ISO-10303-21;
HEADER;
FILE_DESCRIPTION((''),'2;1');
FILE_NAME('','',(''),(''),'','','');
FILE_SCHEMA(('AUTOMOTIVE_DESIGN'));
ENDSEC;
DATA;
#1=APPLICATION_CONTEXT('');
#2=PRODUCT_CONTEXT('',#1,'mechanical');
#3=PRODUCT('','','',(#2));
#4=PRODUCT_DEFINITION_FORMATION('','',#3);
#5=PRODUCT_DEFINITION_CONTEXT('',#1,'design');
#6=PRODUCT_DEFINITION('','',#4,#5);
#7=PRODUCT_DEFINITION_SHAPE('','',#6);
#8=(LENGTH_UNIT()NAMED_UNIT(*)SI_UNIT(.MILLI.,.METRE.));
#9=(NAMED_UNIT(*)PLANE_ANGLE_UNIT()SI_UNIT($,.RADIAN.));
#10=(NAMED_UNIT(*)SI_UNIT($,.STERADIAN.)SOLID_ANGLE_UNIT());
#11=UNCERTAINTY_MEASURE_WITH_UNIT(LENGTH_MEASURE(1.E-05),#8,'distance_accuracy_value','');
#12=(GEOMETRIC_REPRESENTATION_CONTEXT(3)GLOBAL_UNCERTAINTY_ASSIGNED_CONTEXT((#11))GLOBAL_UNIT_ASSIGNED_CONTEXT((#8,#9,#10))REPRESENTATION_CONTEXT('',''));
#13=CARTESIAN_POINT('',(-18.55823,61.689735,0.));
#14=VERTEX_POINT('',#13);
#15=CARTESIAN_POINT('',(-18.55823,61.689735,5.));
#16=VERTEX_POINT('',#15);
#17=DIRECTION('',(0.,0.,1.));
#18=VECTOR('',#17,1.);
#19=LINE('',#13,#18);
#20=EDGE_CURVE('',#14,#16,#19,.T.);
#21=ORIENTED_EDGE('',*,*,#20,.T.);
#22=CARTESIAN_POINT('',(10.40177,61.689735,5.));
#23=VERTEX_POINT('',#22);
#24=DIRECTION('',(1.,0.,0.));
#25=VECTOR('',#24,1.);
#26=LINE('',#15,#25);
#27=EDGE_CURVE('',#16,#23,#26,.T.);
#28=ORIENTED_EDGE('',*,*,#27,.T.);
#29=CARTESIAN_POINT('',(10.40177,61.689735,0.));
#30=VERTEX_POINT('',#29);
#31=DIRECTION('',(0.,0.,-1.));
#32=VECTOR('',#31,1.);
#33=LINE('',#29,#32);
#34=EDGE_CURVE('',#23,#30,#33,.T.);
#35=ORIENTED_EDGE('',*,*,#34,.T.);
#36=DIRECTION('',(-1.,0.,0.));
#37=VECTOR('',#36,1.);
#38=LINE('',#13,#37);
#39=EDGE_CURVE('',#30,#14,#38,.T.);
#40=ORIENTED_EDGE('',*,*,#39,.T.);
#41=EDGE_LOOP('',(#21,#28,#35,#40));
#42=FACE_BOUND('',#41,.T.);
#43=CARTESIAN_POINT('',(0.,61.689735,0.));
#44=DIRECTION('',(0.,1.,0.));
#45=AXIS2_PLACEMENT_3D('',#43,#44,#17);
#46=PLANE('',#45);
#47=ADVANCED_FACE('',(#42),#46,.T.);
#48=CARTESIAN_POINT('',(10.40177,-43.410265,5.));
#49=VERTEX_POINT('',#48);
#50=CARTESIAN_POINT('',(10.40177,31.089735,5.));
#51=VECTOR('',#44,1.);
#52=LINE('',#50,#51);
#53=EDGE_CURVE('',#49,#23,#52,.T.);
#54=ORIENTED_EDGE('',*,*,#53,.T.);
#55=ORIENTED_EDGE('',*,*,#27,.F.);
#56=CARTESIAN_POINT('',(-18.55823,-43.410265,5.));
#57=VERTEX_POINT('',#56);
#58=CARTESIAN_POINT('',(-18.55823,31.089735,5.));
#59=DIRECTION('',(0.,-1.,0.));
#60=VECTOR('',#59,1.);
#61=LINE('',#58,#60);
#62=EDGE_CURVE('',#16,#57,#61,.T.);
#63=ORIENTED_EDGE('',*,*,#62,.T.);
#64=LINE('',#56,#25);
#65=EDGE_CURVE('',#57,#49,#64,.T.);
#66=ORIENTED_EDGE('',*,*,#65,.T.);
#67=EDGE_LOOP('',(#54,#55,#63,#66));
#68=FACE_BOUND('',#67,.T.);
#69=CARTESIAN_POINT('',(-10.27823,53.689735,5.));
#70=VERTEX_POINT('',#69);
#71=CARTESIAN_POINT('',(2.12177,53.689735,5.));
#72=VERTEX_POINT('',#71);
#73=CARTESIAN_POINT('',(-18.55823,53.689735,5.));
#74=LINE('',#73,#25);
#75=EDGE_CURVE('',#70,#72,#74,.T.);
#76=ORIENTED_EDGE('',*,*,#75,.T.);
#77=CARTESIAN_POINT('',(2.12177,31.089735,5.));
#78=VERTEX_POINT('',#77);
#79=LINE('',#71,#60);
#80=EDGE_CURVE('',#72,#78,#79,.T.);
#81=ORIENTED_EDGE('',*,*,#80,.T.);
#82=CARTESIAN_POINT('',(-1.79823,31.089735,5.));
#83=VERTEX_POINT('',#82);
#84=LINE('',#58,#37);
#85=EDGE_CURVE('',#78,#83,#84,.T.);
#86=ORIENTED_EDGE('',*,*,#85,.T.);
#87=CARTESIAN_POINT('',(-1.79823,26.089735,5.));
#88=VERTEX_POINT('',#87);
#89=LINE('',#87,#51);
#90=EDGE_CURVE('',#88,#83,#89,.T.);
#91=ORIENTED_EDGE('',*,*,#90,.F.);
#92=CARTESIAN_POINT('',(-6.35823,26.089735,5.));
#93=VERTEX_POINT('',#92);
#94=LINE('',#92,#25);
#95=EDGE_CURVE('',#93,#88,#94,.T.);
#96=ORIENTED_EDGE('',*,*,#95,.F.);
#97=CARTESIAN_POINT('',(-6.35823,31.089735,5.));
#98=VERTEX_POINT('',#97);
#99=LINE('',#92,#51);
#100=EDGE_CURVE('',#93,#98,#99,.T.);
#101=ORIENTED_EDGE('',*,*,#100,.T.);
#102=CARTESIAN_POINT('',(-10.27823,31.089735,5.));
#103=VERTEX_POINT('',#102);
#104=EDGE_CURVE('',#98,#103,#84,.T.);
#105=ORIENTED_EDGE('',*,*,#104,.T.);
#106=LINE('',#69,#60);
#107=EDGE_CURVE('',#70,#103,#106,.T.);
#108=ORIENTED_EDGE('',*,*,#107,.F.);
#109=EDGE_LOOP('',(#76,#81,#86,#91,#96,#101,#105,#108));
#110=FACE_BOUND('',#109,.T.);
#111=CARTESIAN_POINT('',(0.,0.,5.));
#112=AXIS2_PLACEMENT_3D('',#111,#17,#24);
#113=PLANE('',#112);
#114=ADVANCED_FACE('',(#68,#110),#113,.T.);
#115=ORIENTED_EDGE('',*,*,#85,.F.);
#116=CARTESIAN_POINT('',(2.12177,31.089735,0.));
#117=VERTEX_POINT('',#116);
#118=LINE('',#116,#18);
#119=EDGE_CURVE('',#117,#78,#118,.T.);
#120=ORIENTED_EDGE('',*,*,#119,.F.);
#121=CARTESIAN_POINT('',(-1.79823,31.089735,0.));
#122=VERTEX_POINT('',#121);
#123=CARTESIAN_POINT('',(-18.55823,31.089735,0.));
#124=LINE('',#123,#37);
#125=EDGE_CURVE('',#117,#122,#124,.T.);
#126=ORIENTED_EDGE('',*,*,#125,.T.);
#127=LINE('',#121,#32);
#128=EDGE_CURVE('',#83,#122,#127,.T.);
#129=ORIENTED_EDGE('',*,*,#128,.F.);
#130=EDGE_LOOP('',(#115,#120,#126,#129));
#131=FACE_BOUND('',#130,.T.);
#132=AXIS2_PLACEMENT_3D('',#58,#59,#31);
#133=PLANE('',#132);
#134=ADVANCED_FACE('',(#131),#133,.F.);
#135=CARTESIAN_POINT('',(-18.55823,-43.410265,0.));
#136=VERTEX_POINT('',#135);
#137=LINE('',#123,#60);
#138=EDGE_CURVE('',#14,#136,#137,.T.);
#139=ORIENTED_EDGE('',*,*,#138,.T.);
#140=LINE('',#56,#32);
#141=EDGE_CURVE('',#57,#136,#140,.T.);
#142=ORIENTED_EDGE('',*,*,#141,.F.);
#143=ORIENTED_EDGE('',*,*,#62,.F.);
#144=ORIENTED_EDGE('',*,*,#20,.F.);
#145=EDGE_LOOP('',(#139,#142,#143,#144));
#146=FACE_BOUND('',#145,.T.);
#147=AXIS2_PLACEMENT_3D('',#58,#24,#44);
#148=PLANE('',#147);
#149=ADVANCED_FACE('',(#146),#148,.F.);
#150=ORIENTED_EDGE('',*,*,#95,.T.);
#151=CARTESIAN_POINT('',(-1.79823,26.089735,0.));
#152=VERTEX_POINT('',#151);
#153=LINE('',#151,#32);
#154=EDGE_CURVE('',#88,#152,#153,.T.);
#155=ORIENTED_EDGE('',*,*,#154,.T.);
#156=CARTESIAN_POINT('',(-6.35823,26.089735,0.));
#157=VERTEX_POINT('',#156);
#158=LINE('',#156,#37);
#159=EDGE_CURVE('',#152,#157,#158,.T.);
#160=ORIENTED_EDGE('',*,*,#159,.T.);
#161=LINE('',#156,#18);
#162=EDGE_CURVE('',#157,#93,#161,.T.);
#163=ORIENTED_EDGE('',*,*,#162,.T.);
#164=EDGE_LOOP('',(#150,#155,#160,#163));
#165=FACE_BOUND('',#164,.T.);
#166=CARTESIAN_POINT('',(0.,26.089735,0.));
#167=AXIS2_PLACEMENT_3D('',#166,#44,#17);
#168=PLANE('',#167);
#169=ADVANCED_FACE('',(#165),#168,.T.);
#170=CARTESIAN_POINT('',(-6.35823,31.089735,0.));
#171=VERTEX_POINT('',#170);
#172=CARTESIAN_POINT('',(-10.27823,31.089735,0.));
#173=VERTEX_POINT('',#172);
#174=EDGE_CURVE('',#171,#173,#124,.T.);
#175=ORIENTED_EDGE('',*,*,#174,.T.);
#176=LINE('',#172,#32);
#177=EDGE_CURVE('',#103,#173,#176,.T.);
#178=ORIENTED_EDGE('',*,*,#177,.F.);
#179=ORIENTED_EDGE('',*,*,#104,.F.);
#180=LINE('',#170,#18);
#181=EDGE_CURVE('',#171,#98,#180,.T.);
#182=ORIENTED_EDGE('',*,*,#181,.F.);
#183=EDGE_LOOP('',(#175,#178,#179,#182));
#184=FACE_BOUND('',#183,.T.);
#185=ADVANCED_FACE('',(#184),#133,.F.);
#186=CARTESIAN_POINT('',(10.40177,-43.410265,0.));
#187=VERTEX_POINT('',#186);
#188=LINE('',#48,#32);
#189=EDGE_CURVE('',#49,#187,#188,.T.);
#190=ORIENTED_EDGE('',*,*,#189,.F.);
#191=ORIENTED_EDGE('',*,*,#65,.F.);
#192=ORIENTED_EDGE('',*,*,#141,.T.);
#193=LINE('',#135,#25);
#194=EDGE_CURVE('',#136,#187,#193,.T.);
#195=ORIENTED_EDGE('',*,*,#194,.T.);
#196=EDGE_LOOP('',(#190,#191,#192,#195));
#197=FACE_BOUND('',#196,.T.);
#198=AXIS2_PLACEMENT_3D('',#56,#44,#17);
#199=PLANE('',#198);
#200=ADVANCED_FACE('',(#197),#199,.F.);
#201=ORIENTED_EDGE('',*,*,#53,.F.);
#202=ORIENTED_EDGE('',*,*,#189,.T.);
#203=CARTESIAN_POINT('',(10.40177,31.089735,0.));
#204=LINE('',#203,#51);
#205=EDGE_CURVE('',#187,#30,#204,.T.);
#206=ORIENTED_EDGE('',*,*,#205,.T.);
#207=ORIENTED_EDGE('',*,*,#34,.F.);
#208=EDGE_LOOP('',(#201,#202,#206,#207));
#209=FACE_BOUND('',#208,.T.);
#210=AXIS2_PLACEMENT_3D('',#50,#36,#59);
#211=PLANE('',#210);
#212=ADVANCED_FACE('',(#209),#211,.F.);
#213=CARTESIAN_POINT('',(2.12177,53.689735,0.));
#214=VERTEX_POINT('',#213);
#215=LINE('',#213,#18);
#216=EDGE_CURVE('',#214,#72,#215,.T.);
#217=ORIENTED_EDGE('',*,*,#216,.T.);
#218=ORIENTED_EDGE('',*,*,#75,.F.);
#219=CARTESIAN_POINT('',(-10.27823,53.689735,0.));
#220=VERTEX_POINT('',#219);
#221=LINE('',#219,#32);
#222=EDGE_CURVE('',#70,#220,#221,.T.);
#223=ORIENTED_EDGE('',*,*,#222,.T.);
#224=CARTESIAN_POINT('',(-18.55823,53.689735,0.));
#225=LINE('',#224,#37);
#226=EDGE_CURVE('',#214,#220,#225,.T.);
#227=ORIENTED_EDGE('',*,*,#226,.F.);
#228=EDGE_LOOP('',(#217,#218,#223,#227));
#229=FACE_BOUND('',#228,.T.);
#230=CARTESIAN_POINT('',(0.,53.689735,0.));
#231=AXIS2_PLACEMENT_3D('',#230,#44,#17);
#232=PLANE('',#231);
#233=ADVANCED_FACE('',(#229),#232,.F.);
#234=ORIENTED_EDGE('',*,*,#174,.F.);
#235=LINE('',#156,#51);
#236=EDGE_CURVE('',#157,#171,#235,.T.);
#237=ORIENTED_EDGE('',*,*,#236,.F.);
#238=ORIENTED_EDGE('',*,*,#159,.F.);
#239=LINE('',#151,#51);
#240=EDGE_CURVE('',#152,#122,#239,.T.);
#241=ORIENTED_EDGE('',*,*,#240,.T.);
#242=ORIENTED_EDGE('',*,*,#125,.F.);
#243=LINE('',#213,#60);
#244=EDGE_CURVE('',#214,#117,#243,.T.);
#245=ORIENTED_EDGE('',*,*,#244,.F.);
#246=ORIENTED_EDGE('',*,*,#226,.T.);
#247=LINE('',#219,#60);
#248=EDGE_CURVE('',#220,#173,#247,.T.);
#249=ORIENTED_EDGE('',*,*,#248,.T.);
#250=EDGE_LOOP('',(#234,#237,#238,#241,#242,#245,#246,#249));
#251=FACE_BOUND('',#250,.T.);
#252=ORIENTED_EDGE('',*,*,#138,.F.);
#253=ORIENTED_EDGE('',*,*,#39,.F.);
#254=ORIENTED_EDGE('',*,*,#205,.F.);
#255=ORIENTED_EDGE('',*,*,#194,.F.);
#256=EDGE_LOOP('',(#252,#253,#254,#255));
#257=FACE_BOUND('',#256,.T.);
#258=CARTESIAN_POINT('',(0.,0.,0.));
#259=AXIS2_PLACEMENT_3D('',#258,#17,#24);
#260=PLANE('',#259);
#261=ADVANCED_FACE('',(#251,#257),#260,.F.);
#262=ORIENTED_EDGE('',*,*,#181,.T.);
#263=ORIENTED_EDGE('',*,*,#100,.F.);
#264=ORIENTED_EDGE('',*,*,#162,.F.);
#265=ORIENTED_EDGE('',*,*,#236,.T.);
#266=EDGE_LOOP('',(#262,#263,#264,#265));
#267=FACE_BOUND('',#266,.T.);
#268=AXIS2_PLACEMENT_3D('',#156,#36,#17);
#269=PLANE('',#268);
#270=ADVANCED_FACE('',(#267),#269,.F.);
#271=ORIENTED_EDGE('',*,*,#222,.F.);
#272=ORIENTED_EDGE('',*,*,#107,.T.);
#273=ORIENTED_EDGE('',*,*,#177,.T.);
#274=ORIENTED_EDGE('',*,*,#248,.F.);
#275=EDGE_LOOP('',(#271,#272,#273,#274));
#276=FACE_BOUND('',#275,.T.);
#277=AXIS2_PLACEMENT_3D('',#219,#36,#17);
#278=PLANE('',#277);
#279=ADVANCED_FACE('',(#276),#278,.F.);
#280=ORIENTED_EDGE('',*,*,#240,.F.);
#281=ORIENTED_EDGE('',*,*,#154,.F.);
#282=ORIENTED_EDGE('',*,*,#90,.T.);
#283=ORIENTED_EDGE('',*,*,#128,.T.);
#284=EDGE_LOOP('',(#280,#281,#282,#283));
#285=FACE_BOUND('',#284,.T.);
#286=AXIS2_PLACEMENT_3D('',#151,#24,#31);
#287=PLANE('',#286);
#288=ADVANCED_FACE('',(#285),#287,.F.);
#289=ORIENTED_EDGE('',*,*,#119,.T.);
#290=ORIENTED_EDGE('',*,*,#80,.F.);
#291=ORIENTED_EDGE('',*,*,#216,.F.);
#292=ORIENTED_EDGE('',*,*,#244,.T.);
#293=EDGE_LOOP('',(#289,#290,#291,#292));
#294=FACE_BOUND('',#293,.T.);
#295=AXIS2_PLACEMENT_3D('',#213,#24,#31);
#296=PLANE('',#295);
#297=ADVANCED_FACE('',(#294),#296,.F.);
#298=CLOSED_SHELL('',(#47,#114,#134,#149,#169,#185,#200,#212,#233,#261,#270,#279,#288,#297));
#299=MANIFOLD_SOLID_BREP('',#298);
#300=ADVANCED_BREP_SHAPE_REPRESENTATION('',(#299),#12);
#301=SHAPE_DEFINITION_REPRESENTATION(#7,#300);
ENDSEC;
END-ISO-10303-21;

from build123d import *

# Parameters (mm, degrees)
SKETCH1_W           = 28.96
SKETCH1_H           = 74.5
BOSS_EXTRUDE1_DEPTH = 5
SKETCH2_W           = 8.28
SKETCH2_H           = 5
BOSS_EXTRUDE2_DEPTH = 22.6
SKETCH3_W           = 28.96
SKETCH3_H           = 5
BOSS_EXTRUDE3_DEPTH = 8
SKETCH4_W           = 4.56
SKETCH4_H           = 5
CUT_EXTRUDE1_DEPTH  = 5


with BuildPart() as part:
    # Sketch1 → Boss-Extrude1 (new body)
    with BuildSketch(Plane.XY):
        with Locations((-4.078230088, -6.160265487)):
            Rectangle(SKETCH1_W, SKETCH1_H)
    extrude(amount=BOSS_EXTRUDE1_DEPTH)

    # Sketch2 → Boss-Extrude2 (add)
    with BuildSketch(Plane(origin=(0, 31.089734513, 0), x_dir=(1, 0, 0), z_dir=(0, 1, 0))):
        with Locations((-14.418230088, -2.5)):
            Rectangle(SKETCH2_W, SKETCH2_H)
        with Locations((6.261769912, -2.5)):
            Rectangle(SKETCH2_W, SKETCH2_H)
    extrude(amount=BOSS_EXTRUDE2_DEPTH)

    # Sketch3 → Boss-Extrude3 (add)
    with BuildSketch(Plane(origin=(0, 53.689734513, 0), x_dir=(1, 0, 0), z_dir=(0, 1, 0))):
        with Locations((-4.078230088, -2.5)):
            Rectangle(SKETCH3_W, SKETCH3_H)
    extrude(amount=BOSS_EXTRUDE3_DEPTH)

    # Sketch4 → Cut-Extrude1 (cut)
    with BuildSketch(Plane(origin=(0, 31.089734513, 0), x_dir=(1, 0, 0), z_dir=(0, 1, 0))):
        with Locations((-4.078230088, -2.5)):
            Rectangle(SKETCH4_W, SKETCH4_H)
    extrude(amount=-CUT_EXTRUDE1_DEPTH, mode=Mode.SUBTRACT)


solid = part.part
